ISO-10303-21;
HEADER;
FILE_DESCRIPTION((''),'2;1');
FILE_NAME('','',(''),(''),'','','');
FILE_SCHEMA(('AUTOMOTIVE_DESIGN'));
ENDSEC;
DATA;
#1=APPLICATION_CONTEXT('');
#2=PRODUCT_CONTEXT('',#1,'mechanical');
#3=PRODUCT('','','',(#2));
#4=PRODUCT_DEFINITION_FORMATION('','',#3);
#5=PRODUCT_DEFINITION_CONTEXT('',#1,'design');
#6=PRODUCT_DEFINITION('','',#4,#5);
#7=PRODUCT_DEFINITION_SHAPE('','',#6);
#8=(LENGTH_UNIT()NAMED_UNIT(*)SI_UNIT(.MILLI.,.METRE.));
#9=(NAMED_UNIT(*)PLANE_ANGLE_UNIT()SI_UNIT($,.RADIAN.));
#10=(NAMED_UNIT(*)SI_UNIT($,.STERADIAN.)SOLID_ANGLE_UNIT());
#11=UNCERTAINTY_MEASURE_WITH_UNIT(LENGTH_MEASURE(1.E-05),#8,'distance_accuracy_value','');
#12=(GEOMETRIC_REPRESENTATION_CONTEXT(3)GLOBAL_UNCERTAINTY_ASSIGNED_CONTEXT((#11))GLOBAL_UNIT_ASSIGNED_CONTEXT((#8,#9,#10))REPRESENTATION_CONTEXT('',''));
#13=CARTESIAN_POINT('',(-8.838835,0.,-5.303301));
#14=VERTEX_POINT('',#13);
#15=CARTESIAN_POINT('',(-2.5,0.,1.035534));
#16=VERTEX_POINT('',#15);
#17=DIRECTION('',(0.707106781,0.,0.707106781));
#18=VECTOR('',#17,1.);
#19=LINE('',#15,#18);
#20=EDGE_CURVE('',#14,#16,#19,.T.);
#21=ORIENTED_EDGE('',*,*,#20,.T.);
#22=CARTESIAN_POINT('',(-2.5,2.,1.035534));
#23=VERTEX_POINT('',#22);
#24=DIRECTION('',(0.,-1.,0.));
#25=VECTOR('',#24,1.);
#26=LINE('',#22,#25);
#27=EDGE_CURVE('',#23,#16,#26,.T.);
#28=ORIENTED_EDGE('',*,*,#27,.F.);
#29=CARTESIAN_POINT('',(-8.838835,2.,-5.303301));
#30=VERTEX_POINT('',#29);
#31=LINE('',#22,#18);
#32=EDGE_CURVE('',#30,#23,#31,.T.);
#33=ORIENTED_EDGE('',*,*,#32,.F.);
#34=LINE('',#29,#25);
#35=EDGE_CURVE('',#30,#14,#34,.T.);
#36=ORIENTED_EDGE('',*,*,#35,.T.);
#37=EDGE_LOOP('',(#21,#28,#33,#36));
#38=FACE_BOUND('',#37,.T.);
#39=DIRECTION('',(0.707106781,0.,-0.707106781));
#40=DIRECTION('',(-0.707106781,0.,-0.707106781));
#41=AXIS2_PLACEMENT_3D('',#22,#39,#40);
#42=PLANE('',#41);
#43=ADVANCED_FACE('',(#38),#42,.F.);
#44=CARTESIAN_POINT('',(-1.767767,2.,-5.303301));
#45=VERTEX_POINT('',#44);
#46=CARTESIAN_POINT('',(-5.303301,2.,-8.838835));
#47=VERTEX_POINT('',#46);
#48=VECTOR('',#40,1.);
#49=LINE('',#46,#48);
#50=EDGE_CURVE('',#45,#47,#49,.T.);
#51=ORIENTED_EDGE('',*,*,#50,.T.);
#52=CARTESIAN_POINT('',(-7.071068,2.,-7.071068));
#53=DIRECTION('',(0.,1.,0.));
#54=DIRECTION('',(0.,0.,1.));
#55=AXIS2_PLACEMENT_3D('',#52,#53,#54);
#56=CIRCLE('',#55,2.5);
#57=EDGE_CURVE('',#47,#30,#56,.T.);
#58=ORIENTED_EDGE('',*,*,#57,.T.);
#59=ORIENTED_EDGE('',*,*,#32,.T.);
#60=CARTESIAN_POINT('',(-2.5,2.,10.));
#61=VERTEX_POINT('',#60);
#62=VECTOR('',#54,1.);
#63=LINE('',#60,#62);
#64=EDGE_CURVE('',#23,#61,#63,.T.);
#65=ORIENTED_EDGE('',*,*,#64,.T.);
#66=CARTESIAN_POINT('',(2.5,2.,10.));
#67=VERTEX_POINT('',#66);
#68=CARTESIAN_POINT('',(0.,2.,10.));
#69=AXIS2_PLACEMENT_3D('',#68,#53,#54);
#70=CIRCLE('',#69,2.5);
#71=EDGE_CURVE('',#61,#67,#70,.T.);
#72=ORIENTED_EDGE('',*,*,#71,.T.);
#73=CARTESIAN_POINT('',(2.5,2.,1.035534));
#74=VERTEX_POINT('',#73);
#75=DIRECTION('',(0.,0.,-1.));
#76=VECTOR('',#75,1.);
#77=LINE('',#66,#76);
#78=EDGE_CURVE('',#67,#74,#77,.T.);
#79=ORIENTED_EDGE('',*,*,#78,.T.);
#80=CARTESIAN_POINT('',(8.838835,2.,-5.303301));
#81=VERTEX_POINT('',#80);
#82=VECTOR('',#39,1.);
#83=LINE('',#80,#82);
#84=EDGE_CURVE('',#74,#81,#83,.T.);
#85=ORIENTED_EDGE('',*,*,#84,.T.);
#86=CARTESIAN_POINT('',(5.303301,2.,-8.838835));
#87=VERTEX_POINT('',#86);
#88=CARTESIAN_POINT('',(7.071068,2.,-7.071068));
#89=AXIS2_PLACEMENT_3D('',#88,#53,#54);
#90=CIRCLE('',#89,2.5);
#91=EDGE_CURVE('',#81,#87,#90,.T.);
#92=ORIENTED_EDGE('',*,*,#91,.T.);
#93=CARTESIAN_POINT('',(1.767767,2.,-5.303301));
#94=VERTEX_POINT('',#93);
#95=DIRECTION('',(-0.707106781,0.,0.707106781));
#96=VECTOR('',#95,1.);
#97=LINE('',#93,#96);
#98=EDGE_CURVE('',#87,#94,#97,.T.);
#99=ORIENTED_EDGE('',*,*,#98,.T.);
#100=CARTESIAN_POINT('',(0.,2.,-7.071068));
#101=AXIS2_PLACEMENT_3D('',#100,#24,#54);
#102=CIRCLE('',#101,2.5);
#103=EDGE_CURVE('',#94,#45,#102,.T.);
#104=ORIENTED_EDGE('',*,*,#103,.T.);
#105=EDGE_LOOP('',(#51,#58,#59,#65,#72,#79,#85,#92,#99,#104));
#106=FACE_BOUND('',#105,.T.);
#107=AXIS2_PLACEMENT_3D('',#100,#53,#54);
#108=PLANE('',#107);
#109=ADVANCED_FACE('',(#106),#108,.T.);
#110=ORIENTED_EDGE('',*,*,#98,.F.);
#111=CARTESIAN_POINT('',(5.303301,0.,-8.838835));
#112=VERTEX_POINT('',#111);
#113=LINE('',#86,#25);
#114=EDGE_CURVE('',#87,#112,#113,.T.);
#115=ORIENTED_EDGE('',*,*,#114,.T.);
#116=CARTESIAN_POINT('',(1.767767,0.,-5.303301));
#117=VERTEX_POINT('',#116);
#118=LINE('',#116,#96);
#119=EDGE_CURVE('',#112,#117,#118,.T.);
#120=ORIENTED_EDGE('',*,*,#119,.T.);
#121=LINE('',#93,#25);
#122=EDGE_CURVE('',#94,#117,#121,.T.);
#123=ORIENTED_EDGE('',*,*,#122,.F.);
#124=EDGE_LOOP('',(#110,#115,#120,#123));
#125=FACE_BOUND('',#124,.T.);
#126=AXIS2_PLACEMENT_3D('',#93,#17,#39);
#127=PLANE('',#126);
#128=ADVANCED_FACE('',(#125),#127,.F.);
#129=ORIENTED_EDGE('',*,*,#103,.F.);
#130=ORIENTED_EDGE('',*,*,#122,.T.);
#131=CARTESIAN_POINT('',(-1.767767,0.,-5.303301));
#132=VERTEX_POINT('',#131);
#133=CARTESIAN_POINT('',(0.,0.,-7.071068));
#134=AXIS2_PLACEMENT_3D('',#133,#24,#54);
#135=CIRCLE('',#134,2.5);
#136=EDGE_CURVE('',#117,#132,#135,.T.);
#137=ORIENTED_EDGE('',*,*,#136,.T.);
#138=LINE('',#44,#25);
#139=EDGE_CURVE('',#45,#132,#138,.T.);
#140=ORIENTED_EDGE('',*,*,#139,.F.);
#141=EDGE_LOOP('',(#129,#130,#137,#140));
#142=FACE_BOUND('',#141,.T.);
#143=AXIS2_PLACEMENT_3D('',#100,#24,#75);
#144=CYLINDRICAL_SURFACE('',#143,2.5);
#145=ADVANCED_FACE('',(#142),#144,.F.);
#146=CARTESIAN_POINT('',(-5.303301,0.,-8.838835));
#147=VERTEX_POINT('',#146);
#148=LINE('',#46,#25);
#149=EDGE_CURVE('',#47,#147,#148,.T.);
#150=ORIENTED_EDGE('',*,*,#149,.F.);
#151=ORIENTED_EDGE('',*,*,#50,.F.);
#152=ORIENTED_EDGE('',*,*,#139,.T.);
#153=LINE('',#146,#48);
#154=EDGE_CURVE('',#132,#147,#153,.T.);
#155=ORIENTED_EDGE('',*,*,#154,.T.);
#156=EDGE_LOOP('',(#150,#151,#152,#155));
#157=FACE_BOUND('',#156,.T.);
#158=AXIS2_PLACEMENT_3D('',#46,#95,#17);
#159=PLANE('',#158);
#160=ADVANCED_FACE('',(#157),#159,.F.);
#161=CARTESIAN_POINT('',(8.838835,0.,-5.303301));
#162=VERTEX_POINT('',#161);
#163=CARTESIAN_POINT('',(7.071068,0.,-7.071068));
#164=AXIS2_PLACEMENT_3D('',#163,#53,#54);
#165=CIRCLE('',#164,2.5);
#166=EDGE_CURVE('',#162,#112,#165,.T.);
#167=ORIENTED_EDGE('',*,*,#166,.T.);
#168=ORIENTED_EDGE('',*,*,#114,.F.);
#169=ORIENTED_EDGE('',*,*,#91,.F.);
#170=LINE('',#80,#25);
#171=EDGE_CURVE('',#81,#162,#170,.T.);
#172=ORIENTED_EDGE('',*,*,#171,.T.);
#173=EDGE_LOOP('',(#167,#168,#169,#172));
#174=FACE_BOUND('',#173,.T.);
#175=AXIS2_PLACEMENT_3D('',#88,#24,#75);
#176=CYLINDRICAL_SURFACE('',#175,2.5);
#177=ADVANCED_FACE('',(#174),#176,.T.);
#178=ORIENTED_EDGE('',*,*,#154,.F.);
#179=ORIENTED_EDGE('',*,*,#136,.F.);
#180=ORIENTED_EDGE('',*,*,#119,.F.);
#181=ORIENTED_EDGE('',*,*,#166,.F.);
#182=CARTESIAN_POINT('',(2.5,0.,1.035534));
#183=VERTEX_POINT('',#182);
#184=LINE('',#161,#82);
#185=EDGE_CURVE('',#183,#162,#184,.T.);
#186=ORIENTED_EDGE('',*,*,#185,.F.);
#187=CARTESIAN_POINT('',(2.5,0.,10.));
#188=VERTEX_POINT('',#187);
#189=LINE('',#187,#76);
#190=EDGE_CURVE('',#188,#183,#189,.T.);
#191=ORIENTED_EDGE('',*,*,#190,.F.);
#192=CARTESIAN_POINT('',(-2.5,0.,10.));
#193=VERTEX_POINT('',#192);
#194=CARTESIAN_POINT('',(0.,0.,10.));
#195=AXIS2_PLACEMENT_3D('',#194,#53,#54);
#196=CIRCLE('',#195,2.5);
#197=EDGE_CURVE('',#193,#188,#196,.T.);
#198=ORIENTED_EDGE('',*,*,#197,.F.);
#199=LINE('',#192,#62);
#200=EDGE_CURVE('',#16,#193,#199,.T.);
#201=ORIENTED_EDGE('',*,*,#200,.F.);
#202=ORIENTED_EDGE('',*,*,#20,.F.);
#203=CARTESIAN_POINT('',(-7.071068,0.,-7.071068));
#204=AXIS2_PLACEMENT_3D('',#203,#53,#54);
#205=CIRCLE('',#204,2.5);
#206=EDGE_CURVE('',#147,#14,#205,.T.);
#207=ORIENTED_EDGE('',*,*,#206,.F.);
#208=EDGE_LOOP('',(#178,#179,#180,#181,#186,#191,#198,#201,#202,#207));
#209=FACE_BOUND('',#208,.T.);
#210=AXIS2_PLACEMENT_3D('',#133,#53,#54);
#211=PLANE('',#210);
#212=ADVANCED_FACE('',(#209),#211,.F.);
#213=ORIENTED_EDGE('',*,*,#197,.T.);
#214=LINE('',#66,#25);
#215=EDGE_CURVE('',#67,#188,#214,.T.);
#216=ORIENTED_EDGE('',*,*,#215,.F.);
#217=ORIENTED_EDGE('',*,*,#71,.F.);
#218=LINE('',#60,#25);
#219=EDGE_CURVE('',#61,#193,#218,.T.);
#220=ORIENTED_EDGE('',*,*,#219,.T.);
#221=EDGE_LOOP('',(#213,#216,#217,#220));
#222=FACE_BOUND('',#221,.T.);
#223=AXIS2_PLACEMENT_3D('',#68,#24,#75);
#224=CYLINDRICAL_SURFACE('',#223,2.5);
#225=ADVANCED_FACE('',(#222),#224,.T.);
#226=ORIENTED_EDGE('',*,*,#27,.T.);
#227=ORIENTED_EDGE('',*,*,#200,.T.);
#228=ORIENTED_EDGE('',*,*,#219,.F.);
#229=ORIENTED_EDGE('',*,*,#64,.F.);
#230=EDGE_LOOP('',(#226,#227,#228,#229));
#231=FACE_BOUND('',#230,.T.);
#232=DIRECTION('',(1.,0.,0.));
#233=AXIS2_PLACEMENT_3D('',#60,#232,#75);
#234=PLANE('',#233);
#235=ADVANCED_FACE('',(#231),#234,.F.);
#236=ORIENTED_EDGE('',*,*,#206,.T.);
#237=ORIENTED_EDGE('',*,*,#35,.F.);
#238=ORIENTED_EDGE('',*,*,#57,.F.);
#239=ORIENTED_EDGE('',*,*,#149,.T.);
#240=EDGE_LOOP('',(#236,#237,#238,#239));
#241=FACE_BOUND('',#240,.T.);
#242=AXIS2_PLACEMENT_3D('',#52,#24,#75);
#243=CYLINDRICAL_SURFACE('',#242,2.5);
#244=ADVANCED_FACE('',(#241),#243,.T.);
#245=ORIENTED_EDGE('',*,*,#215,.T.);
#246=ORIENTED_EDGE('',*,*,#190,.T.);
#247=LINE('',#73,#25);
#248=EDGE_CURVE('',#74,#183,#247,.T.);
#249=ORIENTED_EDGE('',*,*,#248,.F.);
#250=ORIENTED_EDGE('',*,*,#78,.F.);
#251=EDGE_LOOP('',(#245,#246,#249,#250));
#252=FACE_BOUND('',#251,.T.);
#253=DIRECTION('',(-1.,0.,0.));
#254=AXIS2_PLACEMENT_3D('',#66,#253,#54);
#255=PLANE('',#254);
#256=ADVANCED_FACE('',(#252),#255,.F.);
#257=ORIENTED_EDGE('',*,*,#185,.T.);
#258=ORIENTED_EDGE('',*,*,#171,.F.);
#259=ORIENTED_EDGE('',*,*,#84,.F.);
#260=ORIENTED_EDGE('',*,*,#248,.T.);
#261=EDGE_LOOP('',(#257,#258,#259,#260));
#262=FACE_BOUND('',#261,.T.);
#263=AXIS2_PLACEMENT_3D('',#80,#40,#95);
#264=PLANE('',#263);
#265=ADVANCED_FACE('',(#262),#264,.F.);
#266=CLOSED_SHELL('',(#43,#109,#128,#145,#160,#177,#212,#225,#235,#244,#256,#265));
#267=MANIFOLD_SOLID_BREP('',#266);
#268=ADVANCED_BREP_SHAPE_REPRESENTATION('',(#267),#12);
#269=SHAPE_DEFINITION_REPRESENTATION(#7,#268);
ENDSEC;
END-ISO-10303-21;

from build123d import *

# Parameters (mm, degrees)
BOSS_EXTRUDE1_DEPTH = 2


with BuildPart() as part:
    # Sketch1 → Boss-Extrude1 (new body)
    with BuildSketch(Plane(origin=(0, 0, 0), x_dir=(1, 0, 0), z_dir=(0, 1, 0))):
        with BuildLine():
            Line((2.5, -10), (2.5, -1.035533906))
            Line((2.5, -1.035533906), (8.838834765, 5.303300859))
            ThreePointArc((8.838834765, 5.303300859), (8.838834765, 8.838834765), (5.303300859, 8.838834765))
            Line((5.303300859, 8.838834765), (1.767766953, 5.303300859))
            ThreePointArc((1.767766953, 5.303300859), (0, 4.571067812), (-1.767766953, 5.303300859))
            Line((-1.767766953, 5.303300859), (-5.303300859, 8.838834765))
            ThreePointArc((-5.303300859, 8.838834765), (-8.838834765, 8.838834765), (-8.838834765, 5.303300859))
            Line((-8.838834765, 5.303300859), (-2.5, -1.035533906))
            Line((-2.5, -1.035533906), (-2.5, -10))
            ThreePointArc((-2.5, -10), (0, -12.5), (2.5, -10))
        make_face()
    extrude(amount=BOSS_EXTRUDE1_DEPTH)


solid = part.part
